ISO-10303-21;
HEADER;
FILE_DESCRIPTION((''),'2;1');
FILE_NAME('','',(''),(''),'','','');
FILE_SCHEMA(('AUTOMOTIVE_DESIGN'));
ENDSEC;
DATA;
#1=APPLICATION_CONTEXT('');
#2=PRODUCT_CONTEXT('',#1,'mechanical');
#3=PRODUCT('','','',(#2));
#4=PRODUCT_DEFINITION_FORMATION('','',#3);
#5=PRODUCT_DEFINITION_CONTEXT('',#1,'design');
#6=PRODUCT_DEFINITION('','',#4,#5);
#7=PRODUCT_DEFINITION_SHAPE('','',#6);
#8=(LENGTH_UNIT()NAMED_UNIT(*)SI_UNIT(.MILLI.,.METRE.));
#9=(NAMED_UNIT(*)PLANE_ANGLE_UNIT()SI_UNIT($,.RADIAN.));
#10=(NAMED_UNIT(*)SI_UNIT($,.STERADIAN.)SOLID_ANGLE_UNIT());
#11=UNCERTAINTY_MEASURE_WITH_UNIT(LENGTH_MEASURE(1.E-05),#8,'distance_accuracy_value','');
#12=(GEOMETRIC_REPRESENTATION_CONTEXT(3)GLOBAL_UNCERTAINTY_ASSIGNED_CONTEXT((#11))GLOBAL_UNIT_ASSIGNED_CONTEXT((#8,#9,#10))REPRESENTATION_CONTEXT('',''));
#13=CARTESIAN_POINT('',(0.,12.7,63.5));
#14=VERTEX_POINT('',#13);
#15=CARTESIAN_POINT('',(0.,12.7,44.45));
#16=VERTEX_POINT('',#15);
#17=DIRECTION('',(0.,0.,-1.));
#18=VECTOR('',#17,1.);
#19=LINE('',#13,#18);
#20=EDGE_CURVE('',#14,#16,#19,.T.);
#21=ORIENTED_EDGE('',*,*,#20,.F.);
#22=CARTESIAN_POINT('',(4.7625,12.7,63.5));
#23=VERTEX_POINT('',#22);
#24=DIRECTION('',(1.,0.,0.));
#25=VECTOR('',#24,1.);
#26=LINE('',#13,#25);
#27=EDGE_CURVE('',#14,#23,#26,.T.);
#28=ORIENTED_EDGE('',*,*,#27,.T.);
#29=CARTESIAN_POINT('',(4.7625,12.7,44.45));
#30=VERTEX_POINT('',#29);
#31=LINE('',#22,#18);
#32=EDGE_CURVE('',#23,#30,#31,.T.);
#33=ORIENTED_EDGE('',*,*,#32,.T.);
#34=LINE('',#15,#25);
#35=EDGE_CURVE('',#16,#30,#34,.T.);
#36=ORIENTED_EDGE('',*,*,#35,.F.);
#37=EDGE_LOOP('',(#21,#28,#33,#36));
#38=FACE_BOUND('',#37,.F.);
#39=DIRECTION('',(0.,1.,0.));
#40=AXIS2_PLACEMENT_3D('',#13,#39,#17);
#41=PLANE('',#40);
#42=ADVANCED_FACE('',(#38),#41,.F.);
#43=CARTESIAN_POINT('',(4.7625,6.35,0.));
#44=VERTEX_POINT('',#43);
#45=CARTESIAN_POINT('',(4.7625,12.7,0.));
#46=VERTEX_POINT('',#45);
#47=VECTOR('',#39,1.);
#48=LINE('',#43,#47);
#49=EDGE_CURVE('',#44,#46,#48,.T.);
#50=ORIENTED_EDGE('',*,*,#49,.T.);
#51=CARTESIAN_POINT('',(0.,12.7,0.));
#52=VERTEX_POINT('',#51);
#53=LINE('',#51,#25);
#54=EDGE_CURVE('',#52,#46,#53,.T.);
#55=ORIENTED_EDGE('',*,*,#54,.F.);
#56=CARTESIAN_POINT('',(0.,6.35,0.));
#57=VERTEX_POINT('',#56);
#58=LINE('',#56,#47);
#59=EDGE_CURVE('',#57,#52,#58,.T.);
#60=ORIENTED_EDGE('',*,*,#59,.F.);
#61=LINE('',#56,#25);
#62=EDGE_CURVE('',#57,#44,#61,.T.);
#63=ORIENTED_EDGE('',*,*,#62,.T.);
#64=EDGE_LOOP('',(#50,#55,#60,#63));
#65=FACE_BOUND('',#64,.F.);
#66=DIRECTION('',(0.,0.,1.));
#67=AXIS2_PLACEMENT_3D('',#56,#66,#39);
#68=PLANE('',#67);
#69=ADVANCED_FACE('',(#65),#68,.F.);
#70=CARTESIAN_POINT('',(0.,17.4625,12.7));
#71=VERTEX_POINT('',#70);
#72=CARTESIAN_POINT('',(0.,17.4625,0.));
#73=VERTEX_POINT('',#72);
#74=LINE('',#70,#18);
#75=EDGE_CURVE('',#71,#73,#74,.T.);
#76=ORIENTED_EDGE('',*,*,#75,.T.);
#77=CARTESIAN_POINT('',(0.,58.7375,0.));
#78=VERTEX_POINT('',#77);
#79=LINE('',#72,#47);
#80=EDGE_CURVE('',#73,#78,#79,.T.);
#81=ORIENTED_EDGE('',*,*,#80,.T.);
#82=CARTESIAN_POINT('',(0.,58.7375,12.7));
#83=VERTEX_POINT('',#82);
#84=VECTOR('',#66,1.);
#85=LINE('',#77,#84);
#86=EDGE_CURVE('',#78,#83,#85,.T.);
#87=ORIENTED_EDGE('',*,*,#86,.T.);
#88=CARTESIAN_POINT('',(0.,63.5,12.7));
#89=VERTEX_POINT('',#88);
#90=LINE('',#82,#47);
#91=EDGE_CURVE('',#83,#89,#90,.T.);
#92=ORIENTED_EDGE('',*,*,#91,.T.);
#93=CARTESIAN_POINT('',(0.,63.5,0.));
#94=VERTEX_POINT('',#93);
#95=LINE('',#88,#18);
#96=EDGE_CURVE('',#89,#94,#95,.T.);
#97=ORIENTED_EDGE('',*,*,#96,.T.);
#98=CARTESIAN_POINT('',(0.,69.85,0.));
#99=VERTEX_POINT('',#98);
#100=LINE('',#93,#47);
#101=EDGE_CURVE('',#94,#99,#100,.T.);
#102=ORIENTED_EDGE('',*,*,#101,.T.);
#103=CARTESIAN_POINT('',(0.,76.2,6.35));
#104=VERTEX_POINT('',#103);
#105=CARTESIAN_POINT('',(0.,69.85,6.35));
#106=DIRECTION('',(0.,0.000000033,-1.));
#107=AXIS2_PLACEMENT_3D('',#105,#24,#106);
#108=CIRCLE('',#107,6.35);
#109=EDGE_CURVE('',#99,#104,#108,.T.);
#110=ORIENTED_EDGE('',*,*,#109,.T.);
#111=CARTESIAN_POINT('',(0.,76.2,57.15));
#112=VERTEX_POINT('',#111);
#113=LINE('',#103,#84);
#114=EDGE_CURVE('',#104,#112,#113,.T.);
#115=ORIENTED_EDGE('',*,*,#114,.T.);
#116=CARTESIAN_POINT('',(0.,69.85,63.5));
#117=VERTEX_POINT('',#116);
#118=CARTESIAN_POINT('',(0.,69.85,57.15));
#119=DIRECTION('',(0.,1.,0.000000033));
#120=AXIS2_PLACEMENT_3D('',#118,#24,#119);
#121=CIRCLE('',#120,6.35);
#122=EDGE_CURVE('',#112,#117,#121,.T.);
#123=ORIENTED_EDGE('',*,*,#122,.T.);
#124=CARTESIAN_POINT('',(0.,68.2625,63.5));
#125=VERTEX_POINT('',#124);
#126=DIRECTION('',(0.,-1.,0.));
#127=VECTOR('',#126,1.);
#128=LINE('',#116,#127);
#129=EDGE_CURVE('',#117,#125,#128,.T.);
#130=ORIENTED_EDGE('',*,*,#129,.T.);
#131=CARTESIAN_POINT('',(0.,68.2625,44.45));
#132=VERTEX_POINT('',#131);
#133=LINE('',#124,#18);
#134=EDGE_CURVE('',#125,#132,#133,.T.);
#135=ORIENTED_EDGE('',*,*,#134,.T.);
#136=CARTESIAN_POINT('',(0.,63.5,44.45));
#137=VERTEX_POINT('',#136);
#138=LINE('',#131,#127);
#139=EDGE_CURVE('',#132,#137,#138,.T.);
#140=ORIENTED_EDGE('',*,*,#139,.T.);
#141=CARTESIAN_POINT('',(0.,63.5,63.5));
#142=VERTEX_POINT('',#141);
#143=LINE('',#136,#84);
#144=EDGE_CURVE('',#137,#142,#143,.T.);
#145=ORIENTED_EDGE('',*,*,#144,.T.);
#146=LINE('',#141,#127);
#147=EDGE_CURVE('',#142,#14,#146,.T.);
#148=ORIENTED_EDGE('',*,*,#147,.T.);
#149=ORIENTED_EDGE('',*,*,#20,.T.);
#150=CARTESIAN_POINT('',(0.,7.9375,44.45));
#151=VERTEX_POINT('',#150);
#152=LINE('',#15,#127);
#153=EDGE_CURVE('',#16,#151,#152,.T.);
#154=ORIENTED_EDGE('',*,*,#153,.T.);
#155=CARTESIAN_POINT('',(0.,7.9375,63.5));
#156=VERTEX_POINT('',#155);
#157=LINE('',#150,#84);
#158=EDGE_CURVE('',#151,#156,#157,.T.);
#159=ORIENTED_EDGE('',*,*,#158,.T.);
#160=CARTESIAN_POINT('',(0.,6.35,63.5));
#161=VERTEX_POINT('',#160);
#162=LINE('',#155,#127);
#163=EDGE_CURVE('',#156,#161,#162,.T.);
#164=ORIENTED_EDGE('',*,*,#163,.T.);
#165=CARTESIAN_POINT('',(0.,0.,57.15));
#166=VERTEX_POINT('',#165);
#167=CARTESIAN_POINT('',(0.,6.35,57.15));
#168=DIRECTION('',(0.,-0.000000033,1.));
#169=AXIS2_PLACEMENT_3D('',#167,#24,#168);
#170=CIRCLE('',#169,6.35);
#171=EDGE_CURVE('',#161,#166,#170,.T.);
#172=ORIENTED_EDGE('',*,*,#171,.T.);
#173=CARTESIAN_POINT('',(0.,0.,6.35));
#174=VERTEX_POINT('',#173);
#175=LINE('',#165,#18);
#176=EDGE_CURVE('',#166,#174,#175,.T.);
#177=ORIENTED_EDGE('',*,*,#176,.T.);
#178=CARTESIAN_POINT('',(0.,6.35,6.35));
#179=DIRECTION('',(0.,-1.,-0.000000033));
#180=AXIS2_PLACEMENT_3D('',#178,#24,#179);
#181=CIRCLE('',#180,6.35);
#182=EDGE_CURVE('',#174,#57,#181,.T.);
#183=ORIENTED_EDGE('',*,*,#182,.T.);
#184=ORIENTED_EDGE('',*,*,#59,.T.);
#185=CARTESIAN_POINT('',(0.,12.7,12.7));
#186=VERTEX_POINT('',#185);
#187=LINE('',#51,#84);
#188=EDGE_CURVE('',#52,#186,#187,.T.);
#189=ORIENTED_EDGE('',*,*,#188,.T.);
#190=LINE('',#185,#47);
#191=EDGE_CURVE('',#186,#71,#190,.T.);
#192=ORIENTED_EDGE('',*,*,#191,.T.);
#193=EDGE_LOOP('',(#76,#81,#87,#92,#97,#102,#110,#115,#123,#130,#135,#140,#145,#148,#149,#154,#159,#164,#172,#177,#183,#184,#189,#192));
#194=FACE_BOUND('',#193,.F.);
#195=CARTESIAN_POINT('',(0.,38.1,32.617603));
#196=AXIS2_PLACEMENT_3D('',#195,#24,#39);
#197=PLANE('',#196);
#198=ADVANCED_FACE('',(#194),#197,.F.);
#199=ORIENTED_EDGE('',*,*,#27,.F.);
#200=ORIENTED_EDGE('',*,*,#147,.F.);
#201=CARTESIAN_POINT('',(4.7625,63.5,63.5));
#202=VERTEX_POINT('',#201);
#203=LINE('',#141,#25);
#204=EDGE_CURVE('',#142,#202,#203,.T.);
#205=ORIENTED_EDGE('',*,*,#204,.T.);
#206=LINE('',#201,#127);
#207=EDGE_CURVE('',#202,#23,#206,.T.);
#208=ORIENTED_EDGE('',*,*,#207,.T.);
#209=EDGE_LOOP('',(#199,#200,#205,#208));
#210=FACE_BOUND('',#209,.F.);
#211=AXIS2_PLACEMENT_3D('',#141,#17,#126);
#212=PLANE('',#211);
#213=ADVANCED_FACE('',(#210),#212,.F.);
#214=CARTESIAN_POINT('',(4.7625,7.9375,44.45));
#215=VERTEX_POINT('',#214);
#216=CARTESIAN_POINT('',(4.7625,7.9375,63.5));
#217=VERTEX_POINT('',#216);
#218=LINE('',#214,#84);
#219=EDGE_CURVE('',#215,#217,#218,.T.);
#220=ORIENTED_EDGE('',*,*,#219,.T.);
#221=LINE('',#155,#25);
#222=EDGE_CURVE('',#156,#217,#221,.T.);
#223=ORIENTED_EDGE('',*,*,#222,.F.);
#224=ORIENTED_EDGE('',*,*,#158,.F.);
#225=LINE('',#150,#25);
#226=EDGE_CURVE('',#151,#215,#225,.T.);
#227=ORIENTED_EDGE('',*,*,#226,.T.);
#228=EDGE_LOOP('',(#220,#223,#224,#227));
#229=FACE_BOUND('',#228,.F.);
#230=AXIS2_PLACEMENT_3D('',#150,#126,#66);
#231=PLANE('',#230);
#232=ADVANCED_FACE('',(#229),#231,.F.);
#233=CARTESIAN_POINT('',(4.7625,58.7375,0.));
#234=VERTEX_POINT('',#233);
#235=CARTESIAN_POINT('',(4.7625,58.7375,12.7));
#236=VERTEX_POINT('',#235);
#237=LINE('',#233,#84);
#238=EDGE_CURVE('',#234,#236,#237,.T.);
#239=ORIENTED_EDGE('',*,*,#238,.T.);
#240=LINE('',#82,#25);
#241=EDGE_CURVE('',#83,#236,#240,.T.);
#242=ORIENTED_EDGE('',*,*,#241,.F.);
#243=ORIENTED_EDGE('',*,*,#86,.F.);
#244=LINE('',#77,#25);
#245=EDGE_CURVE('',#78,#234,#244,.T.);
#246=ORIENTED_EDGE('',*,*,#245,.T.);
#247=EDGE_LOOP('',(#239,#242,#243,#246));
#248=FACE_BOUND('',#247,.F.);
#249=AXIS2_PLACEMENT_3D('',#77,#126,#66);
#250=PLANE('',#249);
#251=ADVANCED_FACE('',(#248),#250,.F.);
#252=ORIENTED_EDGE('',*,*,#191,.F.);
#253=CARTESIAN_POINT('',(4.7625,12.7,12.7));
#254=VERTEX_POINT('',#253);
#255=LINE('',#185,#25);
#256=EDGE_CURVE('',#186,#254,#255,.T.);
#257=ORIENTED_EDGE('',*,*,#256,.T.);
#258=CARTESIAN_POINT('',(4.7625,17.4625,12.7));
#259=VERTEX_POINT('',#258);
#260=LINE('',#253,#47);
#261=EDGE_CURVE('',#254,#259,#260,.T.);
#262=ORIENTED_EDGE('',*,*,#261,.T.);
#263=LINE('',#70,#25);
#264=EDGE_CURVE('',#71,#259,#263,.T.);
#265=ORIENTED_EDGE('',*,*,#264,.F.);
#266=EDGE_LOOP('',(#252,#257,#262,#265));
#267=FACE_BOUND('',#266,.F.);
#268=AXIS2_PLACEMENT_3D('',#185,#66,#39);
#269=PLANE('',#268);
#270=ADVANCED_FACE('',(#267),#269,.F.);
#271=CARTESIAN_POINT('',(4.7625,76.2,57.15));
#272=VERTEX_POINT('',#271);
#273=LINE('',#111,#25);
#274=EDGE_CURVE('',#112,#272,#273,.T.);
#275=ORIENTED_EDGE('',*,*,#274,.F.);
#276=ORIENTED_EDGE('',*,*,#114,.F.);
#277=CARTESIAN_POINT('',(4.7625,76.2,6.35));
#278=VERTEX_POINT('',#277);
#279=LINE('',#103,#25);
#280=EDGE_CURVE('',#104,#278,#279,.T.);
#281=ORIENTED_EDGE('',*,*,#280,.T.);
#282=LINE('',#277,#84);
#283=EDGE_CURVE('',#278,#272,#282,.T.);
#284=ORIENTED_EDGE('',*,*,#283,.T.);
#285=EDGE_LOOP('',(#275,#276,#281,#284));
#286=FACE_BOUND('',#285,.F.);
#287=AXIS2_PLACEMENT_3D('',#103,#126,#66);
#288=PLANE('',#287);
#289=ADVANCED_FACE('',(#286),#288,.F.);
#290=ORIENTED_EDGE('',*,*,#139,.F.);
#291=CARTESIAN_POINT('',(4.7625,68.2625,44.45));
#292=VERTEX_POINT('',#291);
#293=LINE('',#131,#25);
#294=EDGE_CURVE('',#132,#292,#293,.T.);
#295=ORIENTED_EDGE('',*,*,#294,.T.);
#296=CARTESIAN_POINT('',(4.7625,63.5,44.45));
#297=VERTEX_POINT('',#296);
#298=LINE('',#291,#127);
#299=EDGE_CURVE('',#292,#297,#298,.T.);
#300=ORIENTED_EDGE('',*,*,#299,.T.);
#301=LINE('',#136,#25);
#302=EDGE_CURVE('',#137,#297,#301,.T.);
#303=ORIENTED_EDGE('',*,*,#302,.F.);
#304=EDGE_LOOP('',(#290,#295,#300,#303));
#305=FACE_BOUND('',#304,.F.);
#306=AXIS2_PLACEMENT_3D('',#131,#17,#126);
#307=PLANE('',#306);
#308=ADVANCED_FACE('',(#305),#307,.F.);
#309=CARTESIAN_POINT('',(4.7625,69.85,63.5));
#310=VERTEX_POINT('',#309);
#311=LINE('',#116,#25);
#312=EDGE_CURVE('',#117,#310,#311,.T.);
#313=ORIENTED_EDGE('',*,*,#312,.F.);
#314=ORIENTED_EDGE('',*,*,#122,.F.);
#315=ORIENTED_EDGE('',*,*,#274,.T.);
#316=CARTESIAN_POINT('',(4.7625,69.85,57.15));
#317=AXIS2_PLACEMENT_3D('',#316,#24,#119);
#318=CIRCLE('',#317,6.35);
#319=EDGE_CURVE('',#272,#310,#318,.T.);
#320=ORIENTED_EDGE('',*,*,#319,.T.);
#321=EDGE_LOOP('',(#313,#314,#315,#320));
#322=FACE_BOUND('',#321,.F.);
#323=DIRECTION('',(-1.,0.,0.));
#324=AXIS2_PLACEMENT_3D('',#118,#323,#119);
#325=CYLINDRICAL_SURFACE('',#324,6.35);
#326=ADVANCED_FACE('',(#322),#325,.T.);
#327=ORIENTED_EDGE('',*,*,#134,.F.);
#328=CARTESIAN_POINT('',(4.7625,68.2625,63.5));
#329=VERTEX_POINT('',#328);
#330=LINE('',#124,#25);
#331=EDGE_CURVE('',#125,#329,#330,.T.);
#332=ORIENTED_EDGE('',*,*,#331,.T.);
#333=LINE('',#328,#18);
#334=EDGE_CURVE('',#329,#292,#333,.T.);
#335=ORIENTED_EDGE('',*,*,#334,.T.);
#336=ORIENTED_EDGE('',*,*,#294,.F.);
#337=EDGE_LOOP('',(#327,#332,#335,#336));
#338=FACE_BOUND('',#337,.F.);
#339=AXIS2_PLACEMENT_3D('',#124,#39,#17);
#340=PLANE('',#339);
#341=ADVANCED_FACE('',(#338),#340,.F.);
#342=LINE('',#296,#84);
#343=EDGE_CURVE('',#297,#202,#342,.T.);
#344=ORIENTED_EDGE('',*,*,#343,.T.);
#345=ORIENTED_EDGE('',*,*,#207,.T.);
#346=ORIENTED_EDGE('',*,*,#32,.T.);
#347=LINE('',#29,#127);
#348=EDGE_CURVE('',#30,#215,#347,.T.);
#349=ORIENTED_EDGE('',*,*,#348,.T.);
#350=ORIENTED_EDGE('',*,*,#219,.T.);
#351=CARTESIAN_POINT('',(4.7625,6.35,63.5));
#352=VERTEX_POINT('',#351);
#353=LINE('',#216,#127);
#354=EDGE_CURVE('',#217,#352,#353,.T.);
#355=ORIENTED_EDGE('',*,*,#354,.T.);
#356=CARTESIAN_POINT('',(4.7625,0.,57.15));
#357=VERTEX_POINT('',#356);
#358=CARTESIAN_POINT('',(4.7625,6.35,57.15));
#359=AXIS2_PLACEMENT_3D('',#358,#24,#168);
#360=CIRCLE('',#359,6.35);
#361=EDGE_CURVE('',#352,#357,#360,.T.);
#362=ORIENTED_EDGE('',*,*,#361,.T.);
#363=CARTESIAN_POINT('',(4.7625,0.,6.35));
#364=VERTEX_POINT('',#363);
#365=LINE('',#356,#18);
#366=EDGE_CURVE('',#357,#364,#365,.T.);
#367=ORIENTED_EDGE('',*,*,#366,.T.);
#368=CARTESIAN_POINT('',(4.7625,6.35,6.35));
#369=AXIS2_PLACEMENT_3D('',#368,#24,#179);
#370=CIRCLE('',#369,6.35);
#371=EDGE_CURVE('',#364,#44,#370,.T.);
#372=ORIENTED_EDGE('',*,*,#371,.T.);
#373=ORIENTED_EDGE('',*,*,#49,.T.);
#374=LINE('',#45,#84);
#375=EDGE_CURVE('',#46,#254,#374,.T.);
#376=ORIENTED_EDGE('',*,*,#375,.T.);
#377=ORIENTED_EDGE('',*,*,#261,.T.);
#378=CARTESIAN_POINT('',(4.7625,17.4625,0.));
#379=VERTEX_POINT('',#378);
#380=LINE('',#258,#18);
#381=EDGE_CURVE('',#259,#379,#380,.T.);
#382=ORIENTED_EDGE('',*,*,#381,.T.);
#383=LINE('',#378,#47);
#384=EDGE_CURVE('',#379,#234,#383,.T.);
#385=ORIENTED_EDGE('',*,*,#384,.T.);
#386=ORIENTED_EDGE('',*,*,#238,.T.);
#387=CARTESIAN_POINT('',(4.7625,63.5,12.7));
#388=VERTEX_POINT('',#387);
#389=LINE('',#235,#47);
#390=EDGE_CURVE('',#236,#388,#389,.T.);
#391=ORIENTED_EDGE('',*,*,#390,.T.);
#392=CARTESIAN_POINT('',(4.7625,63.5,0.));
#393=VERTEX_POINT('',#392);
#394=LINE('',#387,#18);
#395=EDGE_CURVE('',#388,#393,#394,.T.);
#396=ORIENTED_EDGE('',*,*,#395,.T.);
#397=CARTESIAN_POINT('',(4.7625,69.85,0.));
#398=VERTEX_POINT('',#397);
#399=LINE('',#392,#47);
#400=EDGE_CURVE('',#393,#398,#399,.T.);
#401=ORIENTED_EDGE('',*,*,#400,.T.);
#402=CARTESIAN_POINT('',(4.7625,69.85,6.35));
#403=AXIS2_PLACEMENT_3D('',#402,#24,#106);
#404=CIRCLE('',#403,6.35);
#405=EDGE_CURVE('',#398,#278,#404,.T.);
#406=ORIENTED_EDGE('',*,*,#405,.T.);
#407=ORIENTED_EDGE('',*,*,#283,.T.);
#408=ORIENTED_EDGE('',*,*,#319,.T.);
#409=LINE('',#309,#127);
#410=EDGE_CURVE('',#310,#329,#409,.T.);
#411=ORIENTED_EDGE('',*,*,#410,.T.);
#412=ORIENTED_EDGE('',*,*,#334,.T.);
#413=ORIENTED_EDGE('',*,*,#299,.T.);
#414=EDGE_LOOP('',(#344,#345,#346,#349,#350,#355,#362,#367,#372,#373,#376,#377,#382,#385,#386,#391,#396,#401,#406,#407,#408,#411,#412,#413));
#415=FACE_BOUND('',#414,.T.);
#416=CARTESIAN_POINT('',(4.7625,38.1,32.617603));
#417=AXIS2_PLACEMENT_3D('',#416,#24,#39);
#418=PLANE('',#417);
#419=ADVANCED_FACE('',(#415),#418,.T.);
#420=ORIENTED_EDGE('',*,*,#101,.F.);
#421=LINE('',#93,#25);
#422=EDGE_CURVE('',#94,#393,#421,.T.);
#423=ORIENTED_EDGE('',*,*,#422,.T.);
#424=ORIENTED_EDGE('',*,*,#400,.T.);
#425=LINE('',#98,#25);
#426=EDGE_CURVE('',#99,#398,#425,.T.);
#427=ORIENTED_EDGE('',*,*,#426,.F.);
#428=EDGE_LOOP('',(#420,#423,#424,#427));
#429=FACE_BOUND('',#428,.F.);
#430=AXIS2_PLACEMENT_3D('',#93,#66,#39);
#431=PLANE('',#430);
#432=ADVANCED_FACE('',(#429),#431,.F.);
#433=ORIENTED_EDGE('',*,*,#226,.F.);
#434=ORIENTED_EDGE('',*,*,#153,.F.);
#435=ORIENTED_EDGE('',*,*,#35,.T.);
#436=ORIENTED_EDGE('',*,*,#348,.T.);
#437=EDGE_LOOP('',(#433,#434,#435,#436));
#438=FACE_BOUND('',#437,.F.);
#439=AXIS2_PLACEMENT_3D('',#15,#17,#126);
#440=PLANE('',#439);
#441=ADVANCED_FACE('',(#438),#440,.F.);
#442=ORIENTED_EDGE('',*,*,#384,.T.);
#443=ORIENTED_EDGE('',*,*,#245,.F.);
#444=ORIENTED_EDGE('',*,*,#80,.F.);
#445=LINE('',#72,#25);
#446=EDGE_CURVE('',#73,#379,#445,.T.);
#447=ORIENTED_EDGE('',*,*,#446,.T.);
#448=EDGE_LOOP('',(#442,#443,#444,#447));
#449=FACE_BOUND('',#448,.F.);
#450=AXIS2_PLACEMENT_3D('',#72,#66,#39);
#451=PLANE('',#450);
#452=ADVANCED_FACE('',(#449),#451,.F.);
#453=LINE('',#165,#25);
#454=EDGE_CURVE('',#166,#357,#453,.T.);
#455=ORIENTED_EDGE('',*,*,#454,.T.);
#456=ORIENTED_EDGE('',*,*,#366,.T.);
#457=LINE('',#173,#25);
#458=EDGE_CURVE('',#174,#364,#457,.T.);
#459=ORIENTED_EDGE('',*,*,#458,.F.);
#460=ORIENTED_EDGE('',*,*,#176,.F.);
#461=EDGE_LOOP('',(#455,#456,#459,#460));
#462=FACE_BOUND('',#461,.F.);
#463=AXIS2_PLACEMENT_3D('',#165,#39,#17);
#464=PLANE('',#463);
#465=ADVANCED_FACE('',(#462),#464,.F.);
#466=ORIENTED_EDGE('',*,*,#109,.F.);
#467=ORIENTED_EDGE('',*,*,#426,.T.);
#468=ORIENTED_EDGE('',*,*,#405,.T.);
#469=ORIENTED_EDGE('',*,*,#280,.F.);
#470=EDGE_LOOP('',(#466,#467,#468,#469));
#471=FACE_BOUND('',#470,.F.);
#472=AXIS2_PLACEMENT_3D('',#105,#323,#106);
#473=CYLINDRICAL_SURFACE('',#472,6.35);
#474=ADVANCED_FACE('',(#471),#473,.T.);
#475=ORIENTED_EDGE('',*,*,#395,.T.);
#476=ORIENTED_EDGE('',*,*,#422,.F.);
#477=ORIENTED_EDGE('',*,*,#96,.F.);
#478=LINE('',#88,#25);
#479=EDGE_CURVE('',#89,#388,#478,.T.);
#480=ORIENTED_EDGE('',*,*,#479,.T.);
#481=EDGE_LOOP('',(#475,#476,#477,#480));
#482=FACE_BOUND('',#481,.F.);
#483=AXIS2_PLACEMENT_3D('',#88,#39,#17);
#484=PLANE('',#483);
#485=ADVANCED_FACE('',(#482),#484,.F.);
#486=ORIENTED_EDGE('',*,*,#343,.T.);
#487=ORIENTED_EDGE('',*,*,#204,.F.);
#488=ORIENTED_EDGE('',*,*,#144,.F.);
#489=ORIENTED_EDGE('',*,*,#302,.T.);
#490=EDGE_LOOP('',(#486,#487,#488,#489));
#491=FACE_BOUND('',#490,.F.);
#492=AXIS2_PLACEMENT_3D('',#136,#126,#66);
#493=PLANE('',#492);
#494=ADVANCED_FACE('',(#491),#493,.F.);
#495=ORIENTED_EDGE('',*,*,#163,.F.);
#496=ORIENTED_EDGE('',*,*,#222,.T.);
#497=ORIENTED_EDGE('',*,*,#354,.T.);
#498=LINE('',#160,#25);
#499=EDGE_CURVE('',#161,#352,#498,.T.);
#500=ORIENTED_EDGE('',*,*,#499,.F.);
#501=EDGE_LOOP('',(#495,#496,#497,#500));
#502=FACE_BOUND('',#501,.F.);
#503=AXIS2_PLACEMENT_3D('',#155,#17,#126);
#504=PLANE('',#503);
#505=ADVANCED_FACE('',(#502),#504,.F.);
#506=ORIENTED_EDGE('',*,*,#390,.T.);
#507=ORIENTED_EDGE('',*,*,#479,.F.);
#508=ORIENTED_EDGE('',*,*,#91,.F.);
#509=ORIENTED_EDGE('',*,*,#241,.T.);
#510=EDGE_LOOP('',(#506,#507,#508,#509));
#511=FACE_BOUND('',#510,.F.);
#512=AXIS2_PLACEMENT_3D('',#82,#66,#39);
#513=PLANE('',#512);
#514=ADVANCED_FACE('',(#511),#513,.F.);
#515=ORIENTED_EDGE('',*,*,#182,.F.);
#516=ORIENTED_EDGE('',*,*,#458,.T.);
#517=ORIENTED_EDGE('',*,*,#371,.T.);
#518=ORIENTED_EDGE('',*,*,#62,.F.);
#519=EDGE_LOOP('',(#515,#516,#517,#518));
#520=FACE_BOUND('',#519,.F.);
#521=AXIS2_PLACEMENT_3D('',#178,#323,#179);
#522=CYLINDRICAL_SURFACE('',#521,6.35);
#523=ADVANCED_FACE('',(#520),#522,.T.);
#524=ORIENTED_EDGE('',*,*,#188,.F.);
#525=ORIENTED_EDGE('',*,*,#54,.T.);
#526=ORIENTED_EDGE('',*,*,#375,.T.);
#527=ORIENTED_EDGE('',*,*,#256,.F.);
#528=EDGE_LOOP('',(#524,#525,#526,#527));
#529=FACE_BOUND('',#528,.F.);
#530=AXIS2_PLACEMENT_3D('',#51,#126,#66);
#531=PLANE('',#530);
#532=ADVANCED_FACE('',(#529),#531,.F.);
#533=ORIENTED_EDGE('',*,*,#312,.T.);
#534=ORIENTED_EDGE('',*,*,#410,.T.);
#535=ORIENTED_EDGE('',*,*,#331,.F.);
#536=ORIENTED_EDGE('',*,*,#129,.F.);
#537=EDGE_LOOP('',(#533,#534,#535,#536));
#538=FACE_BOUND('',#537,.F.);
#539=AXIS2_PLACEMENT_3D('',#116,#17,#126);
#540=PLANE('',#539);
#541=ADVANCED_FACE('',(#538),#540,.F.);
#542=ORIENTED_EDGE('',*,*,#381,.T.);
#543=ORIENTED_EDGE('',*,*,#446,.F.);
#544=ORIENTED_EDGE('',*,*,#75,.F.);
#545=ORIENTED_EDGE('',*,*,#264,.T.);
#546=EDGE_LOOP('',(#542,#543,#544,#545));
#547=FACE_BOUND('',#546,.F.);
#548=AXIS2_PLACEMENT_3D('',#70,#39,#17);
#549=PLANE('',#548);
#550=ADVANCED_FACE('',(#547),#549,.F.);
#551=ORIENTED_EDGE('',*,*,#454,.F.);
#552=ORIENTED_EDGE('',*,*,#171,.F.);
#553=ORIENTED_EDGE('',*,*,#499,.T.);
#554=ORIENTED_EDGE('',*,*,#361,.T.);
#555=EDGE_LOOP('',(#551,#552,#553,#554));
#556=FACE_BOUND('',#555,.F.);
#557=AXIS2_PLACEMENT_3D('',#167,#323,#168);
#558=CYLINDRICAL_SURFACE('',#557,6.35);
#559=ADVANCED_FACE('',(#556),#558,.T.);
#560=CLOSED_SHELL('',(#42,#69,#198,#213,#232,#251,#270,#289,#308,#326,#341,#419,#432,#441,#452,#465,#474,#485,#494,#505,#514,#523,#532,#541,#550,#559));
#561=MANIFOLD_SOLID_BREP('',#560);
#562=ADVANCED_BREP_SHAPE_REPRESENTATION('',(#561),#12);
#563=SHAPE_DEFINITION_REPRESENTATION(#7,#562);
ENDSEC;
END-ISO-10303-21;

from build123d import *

# Parameters (mm, degrees)
F1_DEPTH = 4.7625


with BuildPart() as f1:
    # F0 (on Right) → F1 (new body)
    with BuildSketch(Plane.YZ):
        with BuildLine():
            ThreePointArc((0, 6.35), (1.859872, 1.859872), (6.35, 0))
            Line((6.35, 0), (12.7, 0))
            Line((12.7, 0), (12.7, 12.7))
            Line((12.7, 12.7), (17.4625, 12.7))
            Line((17.4625, 12.7), (17.4625, 0))
            Line((17.4625, 0), (58.7375, 0))
            Line((58.7375, 0), (58.7375, 12.7))
            Line((58.7375, 12.7), (63.5, 12.7))
            Line((63.5, 12.7), (63.5, 0))
            Line((63.5, 0), (69.85, 0))
            ThreePointArc((69.85, 0), (74.340128, 1.859872), (76.2, 6.35))
            Line((76.2, 6.35), (76.2, 57.15))
            ThreePointArc((76.2, 57.15), (74.340128, 61.640128), (69.85, 63.5))
            Line((69.85, 63.5), (68.2625, 63.5))
            Line((68.2625, 63.5), (68.2625, 44.45))
            Line((68.2625, 44.45), (63.5, 44.45))
            Line((63.5, 44.45), (63.5, 63.5))
            Line((63.5, 63.5), (12.7, 63.5))
            Line((12.7, 63.5), (12.7, 44.45))
            Line((12.7, 44.45), (7.9375, 44.45))
            Line((7.9375, 44.45), (7.9375, 63.5))
            Line((7.9375, 63.5), (6.35, 63.5))
            ThreePointArc((6.35, 63.5), (1.859872, 61.640128), (0, 57.15))
            Line((0, 57.15), (0, 6.35))
        make_face()
    extrude(amount=F1_DEPTH)


solid = f1.part
